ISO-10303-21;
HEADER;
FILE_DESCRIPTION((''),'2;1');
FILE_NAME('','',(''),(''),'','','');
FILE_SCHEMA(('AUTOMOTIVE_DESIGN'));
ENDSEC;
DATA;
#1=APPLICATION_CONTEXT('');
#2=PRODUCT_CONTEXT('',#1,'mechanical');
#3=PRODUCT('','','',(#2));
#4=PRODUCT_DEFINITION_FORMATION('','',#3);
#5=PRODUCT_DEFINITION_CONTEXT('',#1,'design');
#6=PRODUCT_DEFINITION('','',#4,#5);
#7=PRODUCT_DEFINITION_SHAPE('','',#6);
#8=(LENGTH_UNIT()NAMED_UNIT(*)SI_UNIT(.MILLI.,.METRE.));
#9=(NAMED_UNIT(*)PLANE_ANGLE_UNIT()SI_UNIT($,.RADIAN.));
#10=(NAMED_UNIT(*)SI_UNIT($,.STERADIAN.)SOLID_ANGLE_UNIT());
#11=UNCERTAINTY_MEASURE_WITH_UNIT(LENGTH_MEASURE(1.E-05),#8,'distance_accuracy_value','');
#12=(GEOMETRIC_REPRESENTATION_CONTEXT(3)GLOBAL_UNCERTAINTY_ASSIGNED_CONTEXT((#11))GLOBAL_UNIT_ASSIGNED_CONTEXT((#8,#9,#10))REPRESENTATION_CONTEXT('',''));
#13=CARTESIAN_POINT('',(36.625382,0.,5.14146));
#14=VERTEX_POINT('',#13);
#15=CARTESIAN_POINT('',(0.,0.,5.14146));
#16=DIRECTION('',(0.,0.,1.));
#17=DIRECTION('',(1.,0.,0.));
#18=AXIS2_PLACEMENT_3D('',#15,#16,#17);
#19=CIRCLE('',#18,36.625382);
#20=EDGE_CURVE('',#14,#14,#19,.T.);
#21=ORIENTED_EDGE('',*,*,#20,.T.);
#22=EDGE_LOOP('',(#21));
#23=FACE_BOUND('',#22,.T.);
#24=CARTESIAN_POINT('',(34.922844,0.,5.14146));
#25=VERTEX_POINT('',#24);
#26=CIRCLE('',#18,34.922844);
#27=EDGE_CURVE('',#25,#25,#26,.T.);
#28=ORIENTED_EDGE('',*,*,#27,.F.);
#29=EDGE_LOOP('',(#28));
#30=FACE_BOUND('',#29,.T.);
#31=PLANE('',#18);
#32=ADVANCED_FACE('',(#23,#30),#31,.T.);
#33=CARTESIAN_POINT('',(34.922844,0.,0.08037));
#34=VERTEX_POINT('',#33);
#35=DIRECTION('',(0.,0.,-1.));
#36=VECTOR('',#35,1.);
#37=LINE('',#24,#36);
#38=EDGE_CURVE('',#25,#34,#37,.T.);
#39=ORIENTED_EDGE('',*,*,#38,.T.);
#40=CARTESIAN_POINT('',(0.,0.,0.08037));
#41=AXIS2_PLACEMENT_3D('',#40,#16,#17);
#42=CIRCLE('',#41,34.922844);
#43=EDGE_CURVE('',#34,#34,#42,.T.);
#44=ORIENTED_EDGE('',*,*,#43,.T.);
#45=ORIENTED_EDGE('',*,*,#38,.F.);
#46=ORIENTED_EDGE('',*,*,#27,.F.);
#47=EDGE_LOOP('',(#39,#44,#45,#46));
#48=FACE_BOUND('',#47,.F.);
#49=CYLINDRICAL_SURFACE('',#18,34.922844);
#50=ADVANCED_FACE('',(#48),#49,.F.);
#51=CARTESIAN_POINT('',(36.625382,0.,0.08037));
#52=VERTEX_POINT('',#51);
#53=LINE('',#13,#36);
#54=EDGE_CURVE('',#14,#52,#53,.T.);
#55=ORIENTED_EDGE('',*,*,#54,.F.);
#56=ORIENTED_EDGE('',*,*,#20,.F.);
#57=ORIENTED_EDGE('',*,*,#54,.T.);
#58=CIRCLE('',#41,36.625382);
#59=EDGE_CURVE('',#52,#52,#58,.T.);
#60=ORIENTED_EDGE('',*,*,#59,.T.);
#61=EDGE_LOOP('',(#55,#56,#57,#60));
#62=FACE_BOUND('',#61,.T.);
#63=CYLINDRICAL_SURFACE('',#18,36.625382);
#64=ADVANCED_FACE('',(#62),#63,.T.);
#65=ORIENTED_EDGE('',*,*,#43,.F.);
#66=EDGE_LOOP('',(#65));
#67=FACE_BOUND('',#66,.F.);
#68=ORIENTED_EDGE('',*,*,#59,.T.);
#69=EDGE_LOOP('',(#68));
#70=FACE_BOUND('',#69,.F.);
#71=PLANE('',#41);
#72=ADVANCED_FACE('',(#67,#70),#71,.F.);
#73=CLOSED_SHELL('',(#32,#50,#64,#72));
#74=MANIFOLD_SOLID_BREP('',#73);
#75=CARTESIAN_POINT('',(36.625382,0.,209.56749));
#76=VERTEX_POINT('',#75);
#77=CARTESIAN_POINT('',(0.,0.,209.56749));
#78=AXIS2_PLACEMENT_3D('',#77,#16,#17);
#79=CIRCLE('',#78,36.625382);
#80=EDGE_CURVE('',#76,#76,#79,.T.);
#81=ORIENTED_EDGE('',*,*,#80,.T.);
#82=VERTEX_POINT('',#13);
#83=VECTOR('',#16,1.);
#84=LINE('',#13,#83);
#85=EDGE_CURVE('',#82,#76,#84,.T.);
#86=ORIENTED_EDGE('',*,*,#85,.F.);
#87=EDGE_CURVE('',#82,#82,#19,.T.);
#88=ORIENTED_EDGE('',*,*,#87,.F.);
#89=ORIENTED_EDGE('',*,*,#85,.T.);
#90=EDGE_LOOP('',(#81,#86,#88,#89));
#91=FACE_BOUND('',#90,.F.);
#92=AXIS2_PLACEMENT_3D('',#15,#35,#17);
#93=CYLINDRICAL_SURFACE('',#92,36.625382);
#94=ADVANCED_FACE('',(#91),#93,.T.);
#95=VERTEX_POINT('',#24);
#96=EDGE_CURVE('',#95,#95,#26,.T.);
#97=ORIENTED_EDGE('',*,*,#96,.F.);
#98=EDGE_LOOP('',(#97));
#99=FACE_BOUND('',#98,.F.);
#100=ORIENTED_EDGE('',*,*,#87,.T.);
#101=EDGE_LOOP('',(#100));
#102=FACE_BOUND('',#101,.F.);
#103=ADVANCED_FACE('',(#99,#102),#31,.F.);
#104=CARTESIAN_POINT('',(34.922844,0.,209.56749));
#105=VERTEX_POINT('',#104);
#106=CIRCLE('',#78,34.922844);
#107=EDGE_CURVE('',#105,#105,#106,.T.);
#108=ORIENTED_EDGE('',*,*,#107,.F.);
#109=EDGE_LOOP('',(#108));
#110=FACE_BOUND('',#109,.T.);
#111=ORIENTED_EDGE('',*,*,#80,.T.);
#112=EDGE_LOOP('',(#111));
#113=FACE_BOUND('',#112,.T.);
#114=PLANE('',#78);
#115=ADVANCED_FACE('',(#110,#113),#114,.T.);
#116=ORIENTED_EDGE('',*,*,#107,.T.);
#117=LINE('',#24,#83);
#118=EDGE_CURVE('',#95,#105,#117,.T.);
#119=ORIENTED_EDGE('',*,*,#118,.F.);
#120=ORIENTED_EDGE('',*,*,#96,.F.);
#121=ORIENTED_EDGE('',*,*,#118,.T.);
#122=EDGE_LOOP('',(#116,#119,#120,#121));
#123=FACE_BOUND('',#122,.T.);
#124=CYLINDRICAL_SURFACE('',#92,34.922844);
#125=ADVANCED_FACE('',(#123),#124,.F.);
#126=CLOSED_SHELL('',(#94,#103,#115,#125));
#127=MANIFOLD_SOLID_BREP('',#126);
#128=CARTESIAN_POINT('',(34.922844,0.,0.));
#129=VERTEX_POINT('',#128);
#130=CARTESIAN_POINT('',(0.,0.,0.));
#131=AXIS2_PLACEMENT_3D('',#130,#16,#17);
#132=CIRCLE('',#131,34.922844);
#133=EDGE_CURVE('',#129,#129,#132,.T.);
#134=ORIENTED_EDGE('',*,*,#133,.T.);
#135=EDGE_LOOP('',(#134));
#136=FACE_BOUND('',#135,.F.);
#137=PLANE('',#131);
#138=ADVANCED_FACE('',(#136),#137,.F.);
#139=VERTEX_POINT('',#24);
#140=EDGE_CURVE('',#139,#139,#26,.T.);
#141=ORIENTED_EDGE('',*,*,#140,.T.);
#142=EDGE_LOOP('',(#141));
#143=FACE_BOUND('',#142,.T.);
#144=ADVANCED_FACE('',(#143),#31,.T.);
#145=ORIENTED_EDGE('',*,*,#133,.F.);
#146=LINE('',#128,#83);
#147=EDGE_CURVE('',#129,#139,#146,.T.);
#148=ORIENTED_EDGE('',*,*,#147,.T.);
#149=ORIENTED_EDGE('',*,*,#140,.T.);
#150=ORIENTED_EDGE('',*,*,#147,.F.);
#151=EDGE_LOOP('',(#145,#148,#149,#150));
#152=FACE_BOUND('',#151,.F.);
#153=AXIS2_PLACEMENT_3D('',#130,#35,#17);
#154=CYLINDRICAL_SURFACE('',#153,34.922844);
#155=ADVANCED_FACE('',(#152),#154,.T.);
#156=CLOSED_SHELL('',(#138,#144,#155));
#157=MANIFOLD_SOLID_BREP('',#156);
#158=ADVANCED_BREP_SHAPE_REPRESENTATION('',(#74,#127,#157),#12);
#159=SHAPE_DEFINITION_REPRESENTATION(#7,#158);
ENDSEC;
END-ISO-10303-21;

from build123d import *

# Parameters (mm, degrees)
F0_R     = 34.9228437671
F1_DEPTH = 5.14146
F2_R     = 36.6253816168
F2_R_2   = 34.9228437671
F3_DEPTH = 204.42603
F4_DEPTH = 5.06109


with BuildPart() as f1:
    # F0 (on Top) → F1 (new body)
    with BuildSketch(Plane.XY):
        Circle(F0_R)
    extrude(amount=F1_DEPTH)


with BuildPart() as f3:
    # F2 (on face) → F3 (new body)
    with BuildSketch(Plane.XY.offset(5.14146)):
        Circle(F2_R)
        Circle(F2_R_2, mode=Mode.SUBTRACT)
    extrude(amount=F3_DEPTH)


with BuildPart() as f4:
    # F4 (new): a face of the model
    f4_faces = [f3.part.faces().sort_by_distance(p)[0] for p in [
        (-35.5894593887, 0, 5.14146),
    ]]
    extrude(f4_faces, amount=F4_DEPTH)


solid = Compound([f1.part, f3.part, f4.part])
